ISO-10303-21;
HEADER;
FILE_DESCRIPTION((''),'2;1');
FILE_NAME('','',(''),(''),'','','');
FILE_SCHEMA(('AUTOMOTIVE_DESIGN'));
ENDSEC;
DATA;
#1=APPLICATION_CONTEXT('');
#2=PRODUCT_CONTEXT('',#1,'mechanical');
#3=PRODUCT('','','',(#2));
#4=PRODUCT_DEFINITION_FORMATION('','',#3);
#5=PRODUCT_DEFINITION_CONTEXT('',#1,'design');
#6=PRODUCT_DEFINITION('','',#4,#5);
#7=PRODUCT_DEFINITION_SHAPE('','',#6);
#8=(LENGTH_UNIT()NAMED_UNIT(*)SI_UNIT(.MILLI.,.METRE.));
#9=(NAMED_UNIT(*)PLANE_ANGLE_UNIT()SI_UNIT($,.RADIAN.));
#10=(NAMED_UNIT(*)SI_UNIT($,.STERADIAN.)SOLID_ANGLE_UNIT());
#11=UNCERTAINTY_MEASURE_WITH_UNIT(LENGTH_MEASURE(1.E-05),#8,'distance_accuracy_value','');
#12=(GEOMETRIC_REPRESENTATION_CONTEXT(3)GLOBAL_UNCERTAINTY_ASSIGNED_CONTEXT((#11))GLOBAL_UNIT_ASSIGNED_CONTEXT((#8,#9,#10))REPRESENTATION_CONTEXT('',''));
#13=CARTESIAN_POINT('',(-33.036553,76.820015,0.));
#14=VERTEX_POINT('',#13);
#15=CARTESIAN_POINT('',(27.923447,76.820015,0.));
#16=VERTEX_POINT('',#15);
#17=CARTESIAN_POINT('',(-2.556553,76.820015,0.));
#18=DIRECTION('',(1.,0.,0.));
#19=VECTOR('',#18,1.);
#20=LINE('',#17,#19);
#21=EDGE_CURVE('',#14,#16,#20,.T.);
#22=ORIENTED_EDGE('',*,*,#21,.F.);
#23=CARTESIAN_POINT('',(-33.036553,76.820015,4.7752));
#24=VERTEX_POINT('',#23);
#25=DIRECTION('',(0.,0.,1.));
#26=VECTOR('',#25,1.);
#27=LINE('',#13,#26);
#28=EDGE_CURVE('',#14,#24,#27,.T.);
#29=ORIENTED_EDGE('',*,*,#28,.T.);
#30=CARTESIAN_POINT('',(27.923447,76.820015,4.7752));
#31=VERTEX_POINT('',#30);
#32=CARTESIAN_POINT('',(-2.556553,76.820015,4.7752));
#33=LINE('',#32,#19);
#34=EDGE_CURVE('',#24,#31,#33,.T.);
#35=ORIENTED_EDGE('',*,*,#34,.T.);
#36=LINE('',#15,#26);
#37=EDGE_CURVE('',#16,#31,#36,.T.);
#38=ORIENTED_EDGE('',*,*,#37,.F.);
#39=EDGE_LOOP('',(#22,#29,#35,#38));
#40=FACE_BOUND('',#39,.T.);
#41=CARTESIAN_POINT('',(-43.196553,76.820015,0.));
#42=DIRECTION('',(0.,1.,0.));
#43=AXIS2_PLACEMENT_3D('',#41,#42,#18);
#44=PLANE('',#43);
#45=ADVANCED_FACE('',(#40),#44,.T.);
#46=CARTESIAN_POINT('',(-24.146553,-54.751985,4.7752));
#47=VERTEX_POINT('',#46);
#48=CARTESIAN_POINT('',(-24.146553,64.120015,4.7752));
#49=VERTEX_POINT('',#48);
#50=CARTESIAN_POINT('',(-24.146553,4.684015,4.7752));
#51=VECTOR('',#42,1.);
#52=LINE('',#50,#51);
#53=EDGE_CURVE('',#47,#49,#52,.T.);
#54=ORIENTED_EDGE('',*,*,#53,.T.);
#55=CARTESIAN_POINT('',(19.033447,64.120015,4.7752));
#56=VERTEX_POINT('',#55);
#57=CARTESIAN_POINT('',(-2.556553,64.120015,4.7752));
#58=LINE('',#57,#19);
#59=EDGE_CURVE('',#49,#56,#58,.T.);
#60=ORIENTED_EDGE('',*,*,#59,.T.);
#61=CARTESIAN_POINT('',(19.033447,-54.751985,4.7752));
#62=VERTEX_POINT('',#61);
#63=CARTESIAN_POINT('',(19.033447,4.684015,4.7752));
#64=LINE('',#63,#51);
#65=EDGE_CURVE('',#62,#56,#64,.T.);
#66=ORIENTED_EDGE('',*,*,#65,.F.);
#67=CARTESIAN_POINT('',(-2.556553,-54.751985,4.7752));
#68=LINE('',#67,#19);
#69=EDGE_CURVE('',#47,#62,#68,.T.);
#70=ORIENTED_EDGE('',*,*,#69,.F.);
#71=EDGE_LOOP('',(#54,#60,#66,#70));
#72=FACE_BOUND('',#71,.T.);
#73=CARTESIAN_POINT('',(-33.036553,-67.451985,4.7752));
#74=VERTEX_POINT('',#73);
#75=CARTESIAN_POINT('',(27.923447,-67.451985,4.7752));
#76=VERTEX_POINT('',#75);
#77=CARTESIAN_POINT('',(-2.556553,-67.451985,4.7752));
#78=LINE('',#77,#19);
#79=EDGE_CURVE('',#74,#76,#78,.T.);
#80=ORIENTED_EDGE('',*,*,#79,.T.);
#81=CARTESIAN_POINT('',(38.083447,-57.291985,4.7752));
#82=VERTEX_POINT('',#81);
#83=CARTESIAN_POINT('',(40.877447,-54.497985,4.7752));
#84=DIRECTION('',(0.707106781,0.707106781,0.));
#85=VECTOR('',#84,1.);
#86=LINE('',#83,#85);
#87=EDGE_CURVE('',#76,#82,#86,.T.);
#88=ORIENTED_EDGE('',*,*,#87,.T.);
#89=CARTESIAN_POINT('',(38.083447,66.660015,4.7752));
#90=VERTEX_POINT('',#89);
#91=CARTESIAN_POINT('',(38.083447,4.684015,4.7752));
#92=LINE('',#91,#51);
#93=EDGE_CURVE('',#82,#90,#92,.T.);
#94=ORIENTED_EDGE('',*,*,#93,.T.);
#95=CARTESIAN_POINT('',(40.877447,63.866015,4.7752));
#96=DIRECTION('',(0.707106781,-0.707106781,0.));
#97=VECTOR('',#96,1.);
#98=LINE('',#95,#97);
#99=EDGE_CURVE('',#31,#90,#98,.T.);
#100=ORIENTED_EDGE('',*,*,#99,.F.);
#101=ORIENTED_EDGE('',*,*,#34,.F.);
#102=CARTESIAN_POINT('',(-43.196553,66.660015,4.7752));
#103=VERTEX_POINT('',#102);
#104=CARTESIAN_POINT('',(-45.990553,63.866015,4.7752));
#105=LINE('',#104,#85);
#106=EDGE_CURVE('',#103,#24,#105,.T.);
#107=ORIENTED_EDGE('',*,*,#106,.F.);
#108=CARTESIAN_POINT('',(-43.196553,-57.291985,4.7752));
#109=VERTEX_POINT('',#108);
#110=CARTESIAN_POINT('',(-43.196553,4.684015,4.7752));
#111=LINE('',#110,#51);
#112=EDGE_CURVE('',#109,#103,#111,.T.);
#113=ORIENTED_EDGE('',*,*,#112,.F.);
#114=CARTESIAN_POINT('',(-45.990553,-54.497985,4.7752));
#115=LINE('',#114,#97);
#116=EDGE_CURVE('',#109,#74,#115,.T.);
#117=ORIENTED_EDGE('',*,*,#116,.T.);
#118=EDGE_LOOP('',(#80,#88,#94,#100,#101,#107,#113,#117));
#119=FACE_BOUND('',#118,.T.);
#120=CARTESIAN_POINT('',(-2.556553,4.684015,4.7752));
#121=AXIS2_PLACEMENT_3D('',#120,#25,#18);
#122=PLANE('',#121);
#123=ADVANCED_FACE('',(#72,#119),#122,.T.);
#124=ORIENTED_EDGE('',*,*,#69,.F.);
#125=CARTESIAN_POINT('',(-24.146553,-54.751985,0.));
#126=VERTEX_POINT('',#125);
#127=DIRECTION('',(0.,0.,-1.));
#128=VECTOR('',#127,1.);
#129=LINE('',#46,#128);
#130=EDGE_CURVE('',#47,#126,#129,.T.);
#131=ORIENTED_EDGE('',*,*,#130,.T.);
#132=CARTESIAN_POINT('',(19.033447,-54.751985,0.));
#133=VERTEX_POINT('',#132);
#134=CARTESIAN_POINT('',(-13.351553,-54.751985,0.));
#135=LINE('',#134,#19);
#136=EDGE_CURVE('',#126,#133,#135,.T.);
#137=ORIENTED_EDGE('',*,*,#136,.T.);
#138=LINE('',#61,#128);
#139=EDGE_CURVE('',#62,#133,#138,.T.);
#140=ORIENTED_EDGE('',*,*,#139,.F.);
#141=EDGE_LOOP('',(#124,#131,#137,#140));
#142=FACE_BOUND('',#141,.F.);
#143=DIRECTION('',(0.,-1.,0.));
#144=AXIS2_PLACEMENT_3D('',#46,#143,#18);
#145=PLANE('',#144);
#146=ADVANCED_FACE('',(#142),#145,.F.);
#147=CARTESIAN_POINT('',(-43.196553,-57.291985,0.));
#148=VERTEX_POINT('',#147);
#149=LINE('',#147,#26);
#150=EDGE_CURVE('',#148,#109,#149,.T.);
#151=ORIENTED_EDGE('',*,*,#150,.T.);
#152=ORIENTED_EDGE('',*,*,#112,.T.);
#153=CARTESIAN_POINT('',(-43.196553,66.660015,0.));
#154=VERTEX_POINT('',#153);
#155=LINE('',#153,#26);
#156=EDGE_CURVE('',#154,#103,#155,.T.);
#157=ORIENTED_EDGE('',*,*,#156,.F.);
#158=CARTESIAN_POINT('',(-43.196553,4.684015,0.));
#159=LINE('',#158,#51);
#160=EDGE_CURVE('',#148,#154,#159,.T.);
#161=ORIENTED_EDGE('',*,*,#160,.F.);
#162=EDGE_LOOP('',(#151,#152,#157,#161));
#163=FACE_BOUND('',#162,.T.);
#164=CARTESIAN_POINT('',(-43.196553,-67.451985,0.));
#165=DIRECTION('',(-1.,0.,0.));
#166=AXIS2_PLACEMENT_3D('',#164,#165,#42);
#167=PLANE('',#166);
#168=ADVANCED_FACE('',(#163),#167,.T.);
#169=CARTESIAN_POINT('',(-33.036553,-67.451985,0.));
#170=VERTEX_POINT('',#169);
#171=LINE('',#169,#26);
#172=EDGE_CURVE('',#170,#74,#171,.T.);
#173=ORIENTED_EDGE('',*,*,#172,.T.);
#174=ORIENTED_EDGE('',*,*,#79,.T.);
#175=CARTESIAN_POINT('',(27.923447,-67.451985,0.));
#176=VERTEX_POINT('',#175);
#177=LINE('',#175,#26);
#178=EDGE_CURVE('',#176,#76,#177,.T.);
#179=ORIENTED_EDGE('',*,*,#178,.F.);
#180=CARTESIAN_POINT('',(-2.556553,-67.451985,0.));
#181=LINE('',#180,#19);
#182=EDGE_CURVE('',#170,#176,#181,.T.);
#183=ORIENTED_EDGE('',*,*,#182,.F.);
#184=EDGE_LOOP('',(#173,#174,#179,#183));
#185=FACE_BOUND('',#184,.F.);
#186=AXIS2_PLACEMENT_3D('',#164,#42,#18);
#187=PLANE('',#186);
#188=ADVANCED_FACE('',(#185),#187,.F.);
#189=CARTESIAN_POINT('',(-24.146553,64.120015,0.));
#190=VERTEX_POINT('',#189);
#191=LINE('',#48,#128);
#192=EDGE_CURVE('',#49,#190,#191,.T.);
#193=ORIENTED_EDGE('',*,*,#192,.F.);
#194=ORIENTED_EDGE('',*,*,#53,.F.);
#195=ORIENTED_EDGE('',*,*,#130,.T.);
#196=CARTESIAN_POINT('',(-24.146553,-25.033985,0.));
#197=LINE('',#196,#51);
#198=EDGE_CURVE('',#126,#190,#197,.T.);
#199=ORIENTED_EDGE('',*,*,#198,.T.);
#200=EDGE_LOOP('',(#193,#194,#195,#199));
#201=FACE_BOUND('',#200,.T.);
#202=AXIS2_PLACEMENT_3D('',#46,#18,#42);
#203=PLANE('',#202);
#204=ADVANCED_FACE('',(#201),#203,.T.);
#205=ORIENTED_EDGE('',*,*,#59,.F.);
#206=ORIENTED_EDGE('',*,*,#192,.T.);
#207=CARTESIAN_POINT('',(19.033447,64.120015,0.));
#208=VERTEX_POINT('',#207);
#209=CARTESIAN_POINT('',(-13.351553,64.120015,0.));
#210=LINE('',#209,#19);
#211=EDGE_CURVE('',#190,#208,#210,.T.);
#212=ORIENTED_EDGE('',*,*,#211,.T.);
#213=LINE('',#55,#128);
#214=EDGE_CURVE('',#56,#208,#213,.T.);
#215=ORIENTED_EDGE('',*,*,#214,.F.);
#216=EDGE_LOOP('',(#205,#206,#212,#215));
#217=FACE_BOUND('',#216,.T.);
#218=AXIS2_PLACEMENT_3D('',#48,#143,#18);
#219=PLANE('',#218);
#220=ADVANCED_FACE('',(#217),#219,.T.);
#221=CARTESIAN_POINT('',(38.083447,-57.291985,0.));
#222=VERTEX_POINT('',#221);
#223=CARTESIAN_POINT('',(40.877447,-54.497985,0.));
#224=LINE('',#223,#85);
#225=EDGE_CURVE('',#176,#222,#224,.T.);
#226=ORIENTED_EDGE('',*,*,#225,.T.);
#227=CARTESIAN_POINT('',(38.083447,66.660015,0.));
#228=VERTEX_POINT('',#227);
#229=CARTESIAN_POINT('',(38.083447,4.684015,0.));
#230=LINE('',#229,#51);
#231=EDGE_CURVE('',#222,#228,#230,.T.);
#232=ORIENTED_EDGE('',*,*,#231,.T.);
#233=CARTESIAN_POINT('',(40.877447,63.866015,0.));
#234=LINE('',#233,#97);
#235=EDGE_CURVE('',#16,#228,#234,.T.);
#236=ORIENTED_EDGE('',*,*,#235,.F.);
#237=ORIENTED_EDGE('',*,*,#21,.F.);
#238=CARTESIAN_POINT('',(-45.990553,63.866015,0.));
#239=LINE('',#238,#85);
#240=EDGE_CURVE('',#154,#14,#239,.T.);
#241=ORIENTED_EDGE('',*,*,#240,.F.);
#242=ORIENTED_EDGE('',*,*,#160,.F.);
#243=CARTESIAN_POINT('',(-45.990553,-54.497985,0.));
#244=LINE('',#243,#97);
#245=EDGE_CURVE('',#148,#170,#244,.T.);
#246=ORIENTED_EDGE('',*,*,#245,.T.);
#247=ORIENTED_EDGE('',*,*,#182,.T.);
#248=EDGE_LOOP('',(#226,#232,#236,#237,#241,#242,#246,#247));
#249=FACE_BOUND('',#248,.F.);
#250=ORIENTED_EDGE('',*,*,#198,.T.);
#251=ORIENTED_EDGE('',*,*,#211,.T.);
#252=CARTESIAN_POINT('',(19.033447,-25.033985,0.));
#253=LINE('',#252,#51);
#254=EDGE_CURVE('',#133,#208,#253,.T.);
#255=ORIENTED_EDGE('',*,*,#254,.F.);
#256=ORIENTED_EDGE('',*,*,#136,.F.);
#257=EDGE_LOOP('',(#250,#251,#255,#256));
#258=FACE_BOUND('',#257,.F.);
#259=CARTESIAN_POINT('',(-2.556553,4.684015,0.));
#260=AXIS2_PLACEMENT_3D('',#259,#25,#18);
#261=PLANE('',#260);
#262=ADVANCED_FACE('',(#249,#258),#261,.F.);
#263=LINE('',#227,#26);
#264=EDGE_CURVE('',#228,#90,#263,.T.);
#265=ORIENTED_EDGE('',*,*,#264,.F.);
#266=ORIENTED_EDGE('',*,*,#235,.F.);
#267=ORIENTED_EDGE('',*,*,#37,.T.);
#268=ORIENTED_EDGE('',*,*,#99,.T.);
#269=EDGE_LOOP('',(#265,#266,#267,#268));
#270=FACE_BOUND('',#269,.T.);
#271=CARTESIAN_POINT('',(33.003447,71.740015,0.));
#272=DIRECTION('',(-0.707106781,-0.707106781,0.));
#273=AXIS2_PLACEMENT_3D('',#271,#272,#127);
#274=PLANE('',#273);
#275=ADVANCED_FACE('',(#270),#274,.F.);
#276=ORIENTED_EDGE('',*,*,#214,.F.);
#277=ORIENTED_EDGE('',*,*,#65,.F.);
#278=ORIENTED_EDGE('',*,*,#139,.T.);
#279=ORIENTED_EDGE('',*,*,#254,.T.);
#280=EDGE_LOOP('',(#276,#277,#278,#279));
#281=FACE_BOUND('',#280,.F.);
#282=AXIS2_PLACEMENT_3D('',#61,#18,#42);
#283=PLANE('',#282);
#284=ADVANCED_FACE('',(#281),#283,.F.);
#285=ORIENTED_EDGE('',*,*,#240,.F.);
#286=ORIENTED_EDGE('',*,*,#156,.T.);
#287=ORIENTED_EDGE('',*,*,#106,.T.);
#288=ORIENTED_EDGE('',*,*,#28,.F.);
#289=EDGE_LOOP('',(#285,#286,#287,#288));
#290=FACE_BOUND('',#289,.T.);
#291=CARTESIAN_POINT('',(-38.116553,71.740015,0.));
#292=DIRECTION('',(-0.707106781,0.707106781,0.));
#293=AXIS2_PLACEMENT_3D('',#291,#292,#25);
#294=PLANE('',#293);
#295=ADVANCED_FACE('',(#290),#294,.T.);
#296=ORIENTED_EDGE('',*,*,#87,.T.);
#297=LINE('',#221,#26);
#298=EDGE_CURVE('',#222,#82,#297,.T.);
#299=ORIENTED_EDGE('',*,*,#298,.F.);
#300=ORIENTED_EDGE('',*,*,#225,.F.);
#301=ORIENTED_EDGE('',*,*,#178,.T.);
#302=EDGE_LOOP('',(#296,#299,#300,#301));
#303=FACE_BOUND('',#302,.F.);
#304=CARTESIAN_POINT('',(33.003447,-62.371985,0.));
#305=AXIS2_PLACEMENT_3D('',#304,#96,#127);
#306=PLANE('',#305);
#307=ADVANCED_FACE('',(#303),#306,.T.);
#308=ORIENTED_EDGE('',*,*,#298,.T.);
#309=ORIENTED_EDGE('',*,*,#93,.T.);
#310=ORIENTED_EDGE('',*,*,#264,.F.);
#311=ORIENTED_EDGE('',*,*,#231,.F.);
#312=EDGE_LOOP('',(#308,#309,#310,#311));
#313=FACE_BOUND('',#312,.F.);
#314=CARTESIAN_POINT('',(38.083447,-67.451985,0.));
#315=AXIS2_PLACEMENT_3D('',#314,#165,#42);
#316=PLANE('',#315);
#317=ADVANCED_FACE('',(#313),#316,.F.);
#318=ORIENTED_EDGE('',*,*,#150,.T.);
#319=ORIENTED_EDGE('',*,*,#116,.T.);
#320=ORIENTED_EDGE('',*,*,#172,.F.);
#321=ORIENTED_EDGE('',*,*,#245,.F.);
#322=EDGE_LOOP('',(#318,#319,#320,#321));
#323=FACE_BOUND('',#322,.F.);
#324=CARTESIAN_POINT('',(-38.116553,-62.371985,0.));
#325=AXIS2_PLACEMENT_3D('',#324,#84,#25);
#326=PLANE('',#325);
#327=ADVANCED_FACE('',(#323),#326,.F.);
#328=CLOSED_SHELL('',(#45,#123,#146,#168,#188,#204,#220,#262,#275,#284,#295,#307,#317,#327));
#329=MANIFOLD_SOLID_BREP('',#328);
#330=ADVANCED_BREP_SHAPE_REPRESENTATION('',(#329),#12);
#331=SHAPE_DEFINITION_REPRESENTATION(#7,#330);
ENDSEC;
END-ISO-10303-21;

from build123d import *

# Parameters (mm, degrees)
F0_W     = 81.28
F0_H     = 144.272
F1_DEPTH = 4.7752
F2_W     = 43.18
F2_H     = 118.872
F3_DEPTH = 25.4
F4_SIZE  = 10.16


with BuildPart() as f1:
    # F0 (on Top) → F1 (new body)
    with BuildSketch(Plane.XY):
        with Locations((-2.556553, 4.684015)):
            Rectangle(F0_W, F0_H)
    extrude(amount=F1_DEPTH)

    # F2 (on face) → F3 (cut)
    with BuildSketch(Plane.XY.offset(4.7752)):
        with Locations((-2.556553, 4.684015)):
            Rectangle(F2_W, F2_H)
    extrude(amount=-F3_DEPTH, mode=Mode.SUBTRACT)

    # F4
    f4_edges = [f1.edges().sort_by_distance(p)[0] for p in [
        (38.083447, -67.451985, 2.3876),
        (-43.196553, -67.451985, 2.3876),
        (38.083447, 76.820015, 2.3876),
        (-43.196553, 76.820015, 2.3876),
    ]]
    chamfer(f4_edges, length=F4_SIZE)


solid = f1.part
